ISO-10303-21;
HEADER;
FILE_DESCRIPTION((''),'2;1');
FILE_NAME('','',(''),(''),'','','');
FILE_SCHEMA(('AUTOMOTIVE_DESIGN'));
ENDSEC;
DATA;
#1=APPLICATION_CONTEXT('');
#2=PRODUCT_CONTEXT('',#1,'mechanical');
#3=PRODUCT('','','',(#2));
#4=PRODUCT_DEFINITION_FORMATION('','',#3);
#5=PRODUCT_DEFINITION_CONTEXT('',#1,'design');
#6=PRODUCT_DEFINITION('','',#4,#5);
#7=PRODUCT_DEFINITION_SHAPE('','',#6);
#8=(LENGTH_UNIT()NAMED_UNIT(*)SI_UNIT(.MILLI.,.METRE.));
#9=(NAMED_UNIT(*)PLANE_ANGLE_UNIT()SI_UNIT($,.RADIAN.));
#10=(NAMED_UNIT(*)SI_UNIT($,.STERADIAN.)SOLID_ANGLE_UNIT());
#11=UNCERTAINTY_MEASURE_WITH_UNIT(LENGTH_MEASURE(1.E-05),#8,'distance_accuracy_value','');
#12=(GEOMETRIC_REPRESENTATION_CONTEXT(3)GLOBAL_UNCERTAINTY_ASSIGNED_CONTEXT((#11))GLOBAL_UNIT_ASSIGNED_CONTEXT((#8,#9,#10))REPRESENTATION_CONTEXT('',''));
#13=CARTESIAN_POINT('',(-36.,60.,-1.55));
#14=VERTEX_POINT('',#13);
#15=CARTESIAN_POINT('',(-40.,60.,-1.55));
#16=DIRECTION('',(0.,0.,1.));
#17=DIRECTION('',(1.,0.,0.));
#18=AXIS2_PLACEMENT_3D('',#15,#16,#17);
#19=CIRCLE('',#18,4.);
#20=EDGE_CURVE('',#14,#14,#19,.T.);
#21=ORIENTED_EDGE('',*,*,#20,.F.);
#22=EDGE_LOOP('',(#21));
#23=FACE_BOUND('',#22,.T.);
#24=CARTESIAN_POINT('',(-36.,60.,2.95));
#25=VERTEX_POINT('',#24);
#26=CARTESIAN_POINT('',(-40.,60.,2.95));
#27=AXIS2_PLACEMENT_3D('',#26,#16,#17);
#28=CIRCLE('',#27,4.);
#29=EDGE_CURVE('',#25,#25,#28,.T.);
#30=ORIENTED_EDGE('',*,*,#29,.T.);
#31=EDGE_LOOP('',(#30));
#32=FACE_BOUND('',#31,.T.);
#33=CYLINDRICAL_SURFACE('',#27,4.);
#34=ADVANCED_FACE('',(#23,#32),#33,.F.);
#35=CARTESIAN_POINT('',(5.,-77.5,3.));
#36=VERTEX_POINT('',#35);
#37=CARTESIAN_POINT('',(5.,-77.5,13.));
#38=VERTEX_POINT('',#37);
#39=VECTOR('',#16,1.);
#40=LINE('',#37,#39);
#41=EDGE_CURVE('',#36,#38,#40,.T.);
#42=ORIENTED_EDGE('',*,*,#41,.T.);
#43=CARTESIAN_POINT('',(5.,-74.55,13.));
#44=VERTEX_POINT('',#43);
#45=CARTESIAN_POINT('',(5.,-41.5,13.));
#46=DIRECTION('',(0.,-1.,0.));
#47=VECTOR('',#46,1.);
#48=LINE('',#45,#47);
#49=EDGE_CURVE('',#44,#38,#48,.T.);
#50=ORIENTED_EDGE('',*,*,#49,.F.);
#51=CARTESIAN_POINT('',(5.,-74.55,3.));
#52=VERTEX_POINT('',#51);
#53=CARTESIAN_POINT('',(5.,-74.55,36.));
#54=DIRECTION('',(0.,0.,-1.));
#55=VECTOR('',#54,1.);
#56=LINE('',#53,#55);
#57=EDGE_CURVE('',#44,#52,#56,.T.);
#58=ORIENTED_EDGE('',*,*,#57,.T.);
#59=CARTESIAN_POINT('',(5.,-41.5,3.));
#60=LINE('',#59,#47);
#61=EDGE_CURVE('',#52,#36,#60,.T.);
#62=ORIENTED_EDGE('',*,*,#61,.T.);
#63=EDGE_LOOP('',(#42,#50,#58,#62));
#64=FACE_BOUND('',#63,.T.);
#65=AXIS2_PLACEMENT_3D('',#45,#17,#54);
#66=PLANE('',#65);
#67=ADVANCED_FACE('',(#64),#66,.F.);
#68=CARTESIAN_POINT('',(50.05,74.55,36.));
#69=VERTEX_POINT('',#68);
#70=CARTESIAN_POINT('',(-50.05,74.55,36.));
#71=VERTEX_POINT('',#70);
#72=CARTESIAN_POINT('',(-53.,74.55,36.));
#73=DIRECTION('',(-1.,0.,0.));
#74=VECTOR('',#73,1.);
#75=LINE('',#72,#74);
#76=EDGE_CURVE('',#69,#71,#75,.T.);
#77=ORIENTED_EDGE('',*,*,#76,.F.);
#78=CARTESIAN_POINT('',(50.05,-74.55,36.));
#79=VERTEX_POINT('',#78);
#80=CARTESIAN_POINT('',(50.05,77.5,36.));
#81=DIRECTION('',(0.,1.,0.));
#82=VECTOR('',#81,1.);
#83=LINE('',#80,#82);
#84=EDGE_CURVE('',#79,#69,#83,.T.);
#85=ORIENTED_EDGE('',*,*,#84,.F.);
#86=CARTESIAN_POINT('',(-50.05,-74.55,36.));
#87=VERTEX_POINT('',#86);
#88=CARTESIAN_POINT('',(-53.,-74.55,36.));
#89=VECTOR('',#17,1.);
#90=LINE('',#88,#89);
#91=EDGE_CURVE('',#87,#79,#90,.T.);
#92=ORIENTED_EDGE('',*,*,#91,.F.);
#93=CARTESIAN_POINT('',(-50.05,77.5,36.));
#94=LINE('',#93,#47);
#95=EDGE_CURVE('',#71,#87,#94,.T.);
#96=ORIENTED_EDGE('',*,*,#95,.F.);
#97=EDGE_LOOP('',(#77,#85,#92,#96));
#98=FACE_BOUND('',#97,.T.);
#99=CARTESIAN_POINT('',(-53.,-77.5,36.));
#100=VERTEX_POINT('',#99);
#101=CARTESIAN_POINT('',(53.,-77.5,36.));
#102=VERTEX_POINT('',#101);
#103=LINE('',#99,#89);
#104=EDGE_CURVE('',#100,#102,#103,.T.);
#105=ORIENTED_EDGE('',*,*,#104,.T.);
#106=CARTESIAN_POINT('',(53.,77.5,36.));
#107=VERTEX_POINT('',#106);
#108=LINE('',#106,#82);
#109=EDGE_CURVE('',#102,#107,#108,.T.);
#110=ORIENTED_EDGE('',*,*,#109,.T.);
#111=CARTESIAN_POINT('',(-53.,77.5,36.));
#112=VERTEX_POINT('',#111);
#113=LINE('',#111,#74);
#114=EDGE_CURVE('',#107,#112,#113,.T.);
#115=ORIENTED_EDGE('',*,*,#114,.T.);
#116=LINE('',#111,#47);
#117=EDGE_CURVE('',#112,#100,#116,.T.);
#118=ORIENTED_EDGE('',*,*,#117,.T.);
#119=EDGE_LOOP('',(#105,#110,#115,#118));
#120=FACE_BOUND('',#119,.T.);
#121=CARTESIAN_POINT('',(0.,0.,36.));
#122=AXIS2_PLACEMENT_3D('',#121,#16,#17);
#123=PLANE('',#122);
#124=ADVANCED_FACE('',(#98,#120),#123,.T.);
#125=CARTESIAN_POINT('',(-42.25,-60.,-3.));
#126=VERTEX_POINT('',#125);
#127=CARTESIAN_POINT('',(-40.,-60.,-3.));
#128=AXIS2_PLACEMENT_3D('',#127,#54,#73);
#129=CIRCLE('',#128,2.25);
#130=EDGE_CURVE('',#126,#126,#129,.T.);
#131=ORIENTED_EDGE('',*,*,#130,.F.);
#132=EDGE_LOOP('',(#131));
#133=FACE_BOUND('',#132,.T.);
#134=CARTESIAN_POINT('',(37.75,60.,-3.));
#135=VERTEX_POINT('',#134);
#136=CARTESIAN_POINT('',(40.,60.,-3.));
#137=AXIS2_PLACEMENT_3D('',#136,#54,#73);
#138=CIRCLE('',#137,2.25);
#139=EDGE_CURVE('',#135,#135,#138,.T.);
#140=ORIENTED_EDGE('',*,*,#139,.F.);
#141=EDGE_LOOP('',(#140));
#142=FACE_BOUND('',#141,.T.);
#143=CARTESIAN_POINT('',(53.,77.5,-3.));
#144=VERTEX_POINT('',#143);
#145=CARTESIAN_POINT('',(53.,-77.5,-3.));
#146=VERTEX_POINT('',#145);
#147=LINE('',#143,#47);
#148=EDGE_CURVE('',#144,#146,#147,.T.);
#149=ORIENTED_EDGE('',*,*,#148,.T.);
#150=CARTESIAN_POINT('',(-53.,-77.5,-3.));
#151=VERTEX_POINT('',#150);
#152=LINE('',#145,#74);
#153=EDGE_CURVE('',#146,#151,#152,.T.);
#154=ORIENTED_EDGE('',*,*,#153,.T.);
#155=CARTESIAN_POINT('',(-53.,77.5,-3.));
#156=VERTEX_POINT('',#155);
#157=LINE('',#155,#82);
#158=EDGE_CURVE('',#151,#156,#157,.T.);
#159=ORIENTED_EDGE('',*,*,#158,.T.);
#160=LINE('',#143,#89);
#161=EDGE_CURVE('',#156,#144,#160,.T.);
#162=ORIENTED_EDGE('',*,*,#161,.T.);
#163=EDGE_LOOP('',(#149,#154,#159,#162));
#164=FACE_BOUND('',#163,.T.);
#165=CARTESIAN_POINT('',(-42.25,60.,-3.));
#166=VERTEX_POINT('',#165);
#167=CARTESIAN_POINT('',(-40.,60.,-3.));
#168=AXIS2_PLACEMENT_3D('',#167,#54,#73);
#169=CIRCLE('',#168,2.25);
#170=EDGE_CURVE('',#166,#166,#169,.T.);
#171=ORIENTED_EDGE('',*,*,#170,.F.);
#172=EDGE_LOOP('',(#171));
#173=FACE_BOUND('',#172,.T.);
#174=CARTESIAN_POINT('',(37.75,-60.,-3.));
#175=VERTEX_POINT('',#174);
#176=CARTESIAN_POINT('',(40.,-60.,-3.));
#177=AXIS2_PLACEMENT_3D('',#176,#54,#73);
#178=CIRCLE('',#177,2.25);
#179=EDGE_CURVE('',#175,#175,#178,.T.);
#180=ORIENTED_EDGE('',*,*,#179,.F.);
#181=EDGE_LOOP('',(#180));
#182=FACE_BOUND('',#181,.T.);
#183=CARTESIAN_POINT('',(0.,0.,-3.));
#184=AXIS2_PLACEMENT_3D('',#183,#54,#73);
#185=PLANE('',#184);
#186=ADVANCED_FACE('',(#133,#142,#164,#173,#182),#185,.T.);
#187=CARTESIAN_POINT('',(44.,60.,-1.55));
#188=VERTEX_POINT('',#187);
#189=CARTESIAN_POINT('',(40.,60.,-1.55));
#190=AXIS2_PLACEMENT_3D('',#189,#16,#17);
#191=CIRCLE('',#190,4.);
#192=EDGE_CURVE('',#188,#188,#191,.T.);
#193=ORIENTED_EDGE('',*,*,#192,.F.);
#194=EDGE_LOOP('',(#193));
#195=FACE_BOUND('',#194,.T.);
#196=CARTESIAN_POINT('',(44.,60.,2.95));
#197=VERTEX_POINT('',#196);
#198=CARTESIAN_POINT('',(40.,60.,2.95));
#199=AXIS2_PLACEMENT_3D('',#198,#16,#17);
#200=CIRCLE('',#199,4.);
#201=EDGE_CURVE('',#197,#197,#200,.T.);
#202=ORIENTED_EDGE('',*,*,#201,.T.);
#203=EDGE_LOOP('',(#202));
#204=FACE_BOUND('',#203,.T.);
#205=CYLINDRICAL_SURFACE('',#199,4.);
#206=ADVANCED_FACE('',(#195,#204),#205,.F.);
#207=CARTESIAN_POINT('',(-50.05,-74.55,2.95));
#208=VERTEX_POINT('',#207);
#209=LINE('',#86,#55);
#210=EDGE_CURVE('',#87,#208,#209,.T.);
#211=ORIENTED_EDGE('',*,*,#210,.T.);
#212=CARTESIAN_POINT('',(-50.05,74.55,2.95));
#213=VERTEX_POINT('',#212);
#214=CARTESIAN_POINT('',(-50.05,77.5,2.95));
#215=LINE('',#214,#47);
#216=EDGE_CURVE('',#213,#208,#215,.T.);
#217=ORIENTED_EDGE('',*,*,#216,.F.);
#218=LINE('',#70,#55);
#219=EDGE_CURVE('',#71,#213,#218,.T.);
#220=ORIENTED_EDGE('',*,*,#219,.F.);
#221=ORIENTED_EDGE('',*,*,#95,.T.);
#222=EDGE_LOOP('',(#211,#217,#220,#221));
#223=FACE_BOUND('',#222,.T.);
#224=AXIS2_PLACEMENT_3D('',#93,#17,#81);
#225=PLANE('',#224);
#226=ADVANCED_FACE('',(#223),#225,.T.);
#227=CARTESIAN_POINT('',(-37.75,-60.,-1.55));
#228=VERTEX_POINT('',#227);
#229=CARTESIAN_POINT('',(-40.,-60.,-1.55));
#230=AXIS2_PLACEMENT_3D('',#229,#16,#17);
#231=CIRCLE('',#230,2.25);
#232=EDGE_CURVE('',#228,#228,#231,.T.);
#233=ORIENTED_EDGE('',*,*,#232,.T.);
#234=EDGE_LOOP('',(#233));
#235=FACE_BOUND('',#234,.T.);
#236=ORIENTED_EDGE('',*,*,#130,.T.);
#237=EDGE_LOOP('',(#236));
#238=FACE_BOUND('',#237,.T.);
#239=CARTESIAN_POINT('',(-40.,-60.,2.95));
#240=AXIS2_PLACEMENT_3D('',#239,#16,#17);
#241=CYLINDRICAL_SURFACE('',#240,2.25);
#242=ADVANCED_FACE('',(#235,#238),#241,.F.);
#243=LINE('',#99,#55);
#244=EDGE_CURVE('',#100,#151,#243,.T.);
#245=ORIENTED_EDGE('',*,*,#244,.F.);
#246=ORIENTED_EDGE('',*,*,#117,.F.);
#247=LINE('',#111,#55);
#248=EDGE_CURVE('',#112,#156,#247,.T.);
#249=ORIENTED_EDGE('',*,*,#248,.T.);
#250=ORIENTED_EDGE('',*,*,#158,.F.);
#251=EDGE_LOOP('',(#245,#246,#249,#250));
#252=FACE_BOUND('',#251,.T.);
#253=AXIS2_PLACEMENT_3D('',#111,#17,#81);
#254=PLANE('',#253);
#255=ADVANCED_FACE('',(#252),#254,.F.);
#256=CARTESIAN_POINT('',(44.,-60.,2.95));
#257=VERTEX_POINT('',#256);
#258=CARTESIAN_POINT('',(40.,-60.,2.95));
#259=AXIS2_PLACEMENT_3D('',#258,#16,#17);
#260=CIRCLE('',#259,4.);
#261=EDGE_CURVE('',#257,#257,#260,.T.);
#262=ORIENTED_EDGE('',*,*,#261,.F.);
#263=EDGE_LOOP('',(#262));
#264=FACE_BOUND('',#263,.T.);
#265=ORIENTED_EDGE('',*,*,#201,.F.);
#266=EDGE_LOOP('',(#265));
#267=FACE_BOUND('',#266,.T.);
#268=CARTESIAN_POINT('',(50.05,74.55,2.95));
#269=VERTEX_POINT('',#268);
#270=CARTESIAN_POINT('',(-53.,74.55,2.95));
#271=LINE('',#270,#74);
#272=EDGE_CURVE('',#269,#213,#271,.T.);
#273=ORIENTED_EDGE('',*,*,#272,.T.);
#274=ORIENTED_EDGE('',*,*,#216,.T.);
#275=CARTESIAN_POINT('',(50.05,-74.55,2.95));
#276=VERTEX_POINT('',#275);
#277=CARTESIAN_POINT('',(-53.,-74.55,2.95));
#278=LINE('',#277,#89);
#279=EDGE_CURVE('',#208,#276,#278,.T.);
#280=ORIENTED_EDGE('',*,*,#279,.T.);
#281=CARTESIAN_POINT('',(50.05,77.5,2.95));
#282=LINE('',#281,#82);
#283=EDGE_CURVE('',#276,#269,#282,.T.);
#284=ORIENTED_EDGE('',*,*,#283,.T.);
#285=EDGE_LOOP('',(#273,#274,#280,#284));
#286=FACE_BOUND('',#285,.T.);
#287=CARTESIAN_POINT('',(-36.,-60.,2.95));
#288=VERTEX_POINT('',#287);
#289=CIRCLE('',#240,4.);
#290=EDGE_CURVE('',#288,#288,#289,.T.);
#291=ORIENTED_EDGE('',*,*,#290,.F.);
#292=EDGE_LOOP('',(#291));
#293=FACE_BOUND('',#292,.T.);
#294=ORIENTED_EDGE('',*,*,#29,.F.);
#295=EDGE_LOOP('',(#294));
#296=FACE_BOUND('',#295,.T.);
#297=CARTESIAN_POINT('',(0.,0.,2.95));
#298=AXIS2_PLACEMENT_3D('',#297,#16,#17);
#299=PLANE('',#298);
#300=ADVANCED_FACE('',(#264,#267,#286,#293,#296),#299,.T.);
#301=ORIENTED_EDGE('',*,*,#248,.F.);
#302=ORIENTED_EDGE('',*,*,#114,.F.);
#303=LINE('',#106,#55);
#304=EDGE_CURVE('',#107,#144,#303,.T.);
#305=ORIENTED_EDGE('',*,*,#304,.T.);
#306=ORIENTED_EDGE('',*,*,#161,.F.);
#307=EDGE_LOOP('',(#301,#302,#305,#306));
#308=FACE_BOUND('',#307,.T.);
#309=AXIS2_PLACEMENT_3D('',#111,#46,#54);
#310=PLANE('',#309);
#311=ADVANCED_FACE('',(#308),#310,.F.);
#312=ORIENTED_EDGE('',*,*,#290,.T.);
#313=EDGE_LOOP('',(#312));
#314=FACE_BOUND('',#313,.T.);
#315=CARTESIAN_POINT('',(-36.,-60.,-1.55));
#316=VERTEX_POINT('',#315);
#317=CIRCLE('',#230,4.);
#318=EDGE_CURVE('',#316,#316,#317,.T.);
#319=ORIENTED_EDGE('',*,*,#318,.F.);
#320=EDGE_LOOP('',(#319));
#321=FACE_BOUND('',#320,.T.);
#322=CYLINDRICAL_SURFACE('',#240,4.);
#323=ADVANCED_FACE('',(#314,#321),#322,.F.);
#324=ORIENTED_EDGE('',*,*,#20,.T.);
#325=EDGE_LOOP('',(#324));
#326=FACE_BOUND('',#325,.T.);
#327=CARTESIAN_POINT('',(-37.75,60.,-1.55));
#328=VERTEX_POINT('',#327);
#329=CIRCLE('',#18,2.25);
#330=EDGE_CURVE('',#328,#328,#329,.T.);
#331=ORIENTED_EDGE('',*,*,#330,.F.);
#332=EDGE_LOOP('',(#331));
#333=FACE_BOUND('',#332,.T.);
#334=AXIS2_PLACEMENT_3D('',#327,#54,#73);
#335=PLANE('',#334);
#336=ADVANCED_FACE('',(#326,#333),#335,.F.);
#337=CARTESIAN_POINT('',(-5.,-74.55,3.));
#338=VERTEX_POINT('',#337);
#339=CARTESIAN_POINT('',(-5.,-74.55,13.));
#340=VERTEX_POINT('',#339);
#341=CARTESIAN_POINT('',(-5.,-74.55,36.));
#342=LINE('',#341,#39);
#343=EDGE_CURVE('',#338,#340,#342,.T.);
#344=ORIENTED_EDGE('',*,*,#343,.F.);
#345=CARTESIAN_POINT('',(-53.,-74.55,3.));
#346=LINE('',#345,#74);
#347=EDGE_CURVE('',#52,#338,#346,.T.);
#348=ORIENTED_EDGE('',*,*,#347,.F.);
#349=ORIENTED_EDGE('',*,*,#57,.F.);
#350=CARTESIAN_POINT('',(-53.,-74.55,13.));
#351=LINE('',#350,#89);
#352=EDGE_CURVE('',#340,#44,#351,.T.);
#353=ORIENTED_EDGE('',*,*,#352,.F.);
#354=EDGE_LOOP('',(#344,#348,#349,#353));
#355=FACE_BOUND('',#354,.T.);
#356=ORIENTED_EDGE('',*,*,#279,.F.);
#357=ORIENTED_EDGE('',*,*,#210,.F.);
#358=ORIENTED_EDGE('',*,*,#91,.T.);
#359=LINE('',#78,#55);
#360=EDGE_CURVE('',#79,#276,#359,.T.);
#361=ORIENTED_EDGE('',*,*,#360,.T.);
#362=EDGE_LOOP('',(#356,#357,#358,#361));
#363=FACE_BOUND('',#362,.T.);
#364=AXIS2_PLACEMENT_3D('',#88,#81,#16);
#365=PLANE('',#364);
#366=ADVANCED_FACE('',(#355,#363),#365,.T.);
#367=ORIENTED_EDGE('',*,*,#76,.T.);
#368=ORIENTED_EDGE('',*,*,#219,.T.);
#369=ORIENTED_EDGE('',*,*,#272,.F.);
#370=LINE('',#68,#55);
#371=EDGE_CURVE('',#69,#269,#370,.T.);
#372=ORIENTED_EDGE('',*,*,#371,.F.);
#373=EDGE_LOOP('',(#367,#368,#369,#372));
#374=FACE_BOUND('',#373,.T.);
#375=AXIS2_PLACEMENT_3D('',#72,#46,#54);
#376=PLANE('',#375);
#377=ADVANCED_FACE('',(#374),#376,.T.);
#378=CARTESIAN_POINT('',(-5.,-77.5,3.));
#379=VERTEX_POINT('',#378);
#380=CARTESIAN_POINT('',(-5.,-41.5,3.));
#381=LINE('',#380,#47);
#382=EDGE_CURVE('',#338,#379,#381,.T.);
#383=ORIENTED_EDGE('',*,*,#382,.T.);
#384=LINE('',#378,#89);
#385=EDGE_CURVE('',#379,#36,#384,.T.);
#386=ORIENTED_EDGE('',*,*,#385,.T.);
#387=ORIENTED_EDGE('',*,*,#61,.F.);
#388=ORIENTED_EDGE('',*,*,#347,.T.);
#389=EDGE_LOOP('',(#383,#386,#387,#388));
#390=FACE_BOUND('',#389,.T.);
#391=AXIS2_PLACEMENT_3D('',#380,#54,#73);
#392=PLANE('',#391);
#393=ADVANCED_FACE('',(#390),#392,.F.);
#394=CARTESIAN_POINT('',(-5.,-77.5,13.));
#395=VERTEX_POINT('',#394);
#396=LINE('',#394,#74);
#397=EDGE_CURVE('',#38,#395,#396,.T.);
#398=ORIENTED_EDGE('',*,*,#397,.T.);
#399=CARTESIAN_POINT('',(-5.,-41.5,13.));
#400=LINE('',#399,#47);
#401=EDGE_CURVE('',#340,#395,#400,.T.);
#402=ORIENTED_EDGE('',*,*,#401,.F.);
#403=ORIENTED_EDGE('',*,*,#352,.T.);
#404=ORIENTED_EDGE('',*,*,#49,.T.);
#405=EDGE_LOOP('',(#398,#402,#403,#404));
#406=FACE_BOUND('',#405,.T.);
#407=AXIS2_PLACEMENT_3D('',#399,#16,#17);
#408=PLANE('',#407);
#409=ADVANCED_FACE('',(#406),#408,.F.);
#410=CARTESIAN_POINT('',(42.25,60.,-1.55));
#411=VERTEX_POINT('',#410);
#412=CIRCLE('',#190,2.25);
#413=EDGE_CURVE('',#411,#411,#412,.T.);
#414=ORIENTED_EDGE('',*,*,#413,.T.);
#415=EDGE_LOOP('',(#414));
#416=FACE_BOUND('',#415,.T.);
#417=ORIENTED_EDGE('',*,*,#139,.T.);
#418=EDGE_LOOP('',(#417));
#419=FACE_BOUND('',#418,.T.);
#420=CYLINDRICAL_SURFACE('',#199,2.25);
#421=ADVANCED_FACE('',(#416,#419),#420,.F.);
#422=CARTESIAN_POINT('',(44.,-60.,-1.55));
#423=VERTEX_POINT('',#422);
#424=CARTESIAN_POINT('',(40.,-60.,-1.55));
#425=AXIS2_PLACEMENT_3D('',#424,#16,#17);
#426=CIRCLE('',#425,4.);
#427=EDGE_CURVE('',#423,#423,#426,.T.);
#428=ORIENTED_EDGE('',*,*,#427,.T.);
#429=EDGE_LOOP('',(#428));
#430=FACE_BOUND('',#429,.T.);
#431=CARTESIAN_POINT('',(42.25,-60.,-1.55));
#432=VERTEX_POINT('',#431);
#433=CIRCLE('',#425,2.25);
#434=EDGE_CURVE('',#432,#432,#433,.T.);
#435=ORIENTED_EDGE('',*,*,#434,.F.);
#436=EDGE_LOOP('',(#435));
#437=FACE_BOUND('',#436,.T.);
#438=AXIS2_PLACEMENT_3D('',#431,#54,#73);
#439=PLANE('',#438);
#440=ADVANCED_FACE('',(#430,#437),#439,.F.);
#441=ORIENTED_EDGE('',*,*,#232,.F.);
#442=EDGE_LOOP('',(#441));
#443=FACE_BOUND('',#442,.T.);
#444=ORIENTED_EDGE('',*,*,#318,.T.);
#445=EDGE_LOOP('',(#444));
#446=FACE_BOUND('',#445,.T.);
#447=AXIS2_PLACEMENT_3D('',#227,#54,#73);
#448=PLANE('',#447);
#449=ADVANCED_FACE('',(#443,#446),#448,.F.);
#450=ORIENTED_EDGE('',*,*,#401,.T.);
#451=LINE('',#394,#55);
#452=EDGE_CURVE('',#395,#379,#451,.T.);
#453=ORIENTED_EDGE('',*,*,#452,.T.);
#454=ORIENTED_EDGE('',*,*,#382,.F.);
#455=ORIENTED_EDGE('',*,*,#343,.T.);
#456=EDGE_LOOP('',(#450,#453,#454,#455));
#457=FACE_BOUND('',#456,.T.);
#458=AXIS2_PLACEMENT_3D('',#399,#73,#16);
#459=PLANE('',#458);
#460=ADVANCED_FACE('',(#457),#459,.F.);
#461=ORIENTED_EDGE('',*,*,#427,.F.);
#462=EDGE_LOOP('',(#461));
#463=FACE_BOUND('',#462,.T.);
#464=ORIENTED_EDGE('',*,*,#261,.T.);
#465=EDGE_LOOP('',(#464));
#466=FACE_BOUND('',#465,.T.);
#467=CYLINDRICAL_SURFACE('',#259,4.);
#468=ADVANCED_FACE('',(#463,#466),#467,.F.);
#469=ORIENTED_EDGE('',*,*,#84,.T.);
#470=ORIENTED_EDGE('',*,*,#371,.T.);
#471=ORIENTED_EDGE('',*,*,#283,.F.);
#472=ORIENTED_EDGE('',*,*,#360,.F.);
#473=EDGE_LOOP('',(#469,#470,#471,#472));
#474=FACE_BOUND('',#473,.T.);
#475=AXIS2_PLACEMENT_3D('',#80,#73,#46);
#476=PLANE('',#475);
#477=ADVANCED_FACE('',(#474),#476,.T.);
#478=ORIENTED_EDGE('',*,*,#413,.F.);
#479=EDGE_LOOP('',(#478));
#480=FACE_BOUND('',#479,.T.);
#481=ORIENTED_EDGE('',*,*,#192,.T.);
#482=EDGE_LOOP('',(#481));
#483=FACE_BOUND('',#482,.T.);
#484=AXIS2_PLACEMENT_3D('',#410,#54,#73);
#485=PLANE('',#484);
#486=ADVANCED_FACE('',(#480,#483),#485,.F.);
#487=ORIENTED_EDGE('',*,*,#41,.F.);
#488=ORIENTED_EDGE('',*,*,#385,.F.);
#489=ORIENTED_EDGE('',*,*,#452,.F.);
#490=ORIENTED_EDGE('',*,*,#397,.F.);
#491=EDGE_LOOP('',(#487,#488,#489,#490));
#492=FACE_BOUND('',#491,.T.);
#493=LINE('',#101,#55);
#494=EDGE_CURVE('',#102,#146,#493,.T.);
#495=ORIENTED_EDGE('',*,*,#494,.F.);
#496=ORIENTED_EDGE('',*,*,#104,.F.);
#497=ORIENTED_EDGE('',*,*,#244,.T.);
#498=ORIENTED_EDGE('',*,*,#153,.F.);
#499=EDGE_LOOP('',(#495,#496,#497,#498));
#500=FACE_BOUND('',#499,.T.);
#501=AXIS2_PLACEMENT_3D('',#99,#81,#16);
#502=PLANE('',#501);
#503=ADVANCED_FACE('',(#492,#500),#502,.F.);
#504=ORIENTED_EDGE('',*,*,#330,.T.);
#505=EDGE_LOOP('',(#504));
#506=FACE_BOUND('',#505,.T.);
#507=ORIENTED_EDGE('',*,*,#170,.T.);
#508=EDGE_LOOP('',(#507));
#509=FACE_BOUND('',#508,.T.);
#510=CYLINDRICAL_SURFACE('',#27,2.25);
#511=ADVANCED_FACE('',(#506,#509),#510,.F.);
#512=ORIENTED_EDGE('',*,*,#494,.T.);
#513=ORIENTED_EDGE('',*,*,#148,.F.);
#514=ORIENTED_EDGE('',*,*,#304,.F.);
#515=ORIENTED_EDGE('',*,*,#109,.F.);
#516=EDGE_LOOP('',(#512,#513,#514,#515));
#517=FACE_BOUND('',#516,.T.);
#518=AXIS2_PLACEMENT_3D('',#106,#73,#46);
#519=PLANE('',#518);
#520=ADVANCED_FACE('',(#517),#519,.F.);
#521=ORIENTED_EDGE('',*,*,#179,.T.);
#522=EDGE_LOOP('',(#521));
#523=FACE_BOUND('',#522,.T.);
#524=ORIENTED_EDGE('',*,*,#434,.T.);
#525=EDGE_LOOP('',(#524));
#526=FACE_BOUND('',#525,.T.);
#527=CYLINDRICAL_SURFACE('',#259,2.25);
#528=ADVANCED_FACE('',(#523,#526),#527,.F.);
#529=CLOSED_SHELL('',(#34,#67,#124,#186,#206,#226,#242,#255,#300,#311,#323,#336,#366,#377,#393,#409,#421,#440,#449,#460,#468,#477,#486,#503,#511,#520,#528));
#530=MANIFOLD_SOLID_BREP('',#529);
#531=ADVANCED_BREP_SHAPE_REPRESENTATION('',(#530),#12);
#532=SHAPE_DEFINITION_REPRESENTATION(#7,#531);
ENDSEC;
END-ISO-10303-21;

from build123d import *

# Parameters (mm, degrees)
SKETCH_1_W                   = 106
SKETCH_1_H                   = 155
EXTRUDE_1_DEPTH              = 36
SHELL_1_T                    = -2.95
SKETCH_2_W                   = 10
SKETCH_2_H                   = 10
CUT_EXTRUDE_1_DEPTH          = 36
SKETCH_3_W                   = 106
SKETCH_3_H                   = 155
EXTRUDE_2_DEPTH              = 3
HOLE_WIZARD_M4_1_D           = 4.5
HOLE_WIZARD_M4_1_DEPTH       = 45
HOLE_WIZARD_M4_1_CBORE_D     = 8
HOLE_WIZARD_M4_1_CBORE_DEPTH = 4.5
HOLE_WIZARD_M4_1_TIP         = 1.351936393


with BuildPart() as part:
    # 스케치1 → 보스-돌출1 (new body)
    with BuildSketch(Plane.XY):
        Rectangle(SKETCH_1_W, SKETCH_1_H)
    extrude(amount=EXTRUDE_1_DEPTH)

    # 쉘1
    shell_1_openings = [part.faces().sort_by_distance(p)[0] for p in [
        (0, 0, 36),
    ]]
    offset(amount=SHELL_1_T, openings=shell_1_openings, kind=Kind.INTERSECTION)

    # 스케치2 → 컷-돌출1 (cut)
    with BuildSketch(Plane.XZ.offset(77.5)):
        with Locations((0, 8)):
            Rectangle(SKETCH_2_W, SKETCH_2_H)
    extrude(amount=-CUT_EXTRUDE_1_DEPTH, mode=Mode.SUBTRACT)

    # 스케치3 → 보스-돌출2 (add)
    with BuildSketch(Plane(origin=(0, 0, 0), x_dir=(-1, 0, 0), z_dir=(0, 0, -1))):
        Rectangle(SKETCH_3_W, SKETCH_3_H)
    extrude(amount=EXTRUDE_2_DEPTH)

    # M4 소켓 머리 캡 나사용 카운터보어1
    with Locations(Plane.XY.offset(2.95)):
        with Locations((-40, 60), (40, 60), (40, -60), (-40, -60)):
            CounterBoreHole(HOLE_WIZARD_M4_1_D / 2, HOLE_WIZARD_M4_1_CBORE_D / 2, HOLE_WIZARD_M4_1_CBORE_DEPTH, depth=HOLE_WIZARD_M4_1_DEPTH)
            with Locations((0, 0, -(HOLE_WIZARD_M4_1_DEPTH + HOLE_WIZARD_M4_1_TIP / 2))):  # 118° drill point
                Cone(0, HOLE_WIZARD_M4_1_D / 2, HOLE_WIZARD_M4_1_TIP, mode=Mode.SUBTRACT)


solid = part.part
